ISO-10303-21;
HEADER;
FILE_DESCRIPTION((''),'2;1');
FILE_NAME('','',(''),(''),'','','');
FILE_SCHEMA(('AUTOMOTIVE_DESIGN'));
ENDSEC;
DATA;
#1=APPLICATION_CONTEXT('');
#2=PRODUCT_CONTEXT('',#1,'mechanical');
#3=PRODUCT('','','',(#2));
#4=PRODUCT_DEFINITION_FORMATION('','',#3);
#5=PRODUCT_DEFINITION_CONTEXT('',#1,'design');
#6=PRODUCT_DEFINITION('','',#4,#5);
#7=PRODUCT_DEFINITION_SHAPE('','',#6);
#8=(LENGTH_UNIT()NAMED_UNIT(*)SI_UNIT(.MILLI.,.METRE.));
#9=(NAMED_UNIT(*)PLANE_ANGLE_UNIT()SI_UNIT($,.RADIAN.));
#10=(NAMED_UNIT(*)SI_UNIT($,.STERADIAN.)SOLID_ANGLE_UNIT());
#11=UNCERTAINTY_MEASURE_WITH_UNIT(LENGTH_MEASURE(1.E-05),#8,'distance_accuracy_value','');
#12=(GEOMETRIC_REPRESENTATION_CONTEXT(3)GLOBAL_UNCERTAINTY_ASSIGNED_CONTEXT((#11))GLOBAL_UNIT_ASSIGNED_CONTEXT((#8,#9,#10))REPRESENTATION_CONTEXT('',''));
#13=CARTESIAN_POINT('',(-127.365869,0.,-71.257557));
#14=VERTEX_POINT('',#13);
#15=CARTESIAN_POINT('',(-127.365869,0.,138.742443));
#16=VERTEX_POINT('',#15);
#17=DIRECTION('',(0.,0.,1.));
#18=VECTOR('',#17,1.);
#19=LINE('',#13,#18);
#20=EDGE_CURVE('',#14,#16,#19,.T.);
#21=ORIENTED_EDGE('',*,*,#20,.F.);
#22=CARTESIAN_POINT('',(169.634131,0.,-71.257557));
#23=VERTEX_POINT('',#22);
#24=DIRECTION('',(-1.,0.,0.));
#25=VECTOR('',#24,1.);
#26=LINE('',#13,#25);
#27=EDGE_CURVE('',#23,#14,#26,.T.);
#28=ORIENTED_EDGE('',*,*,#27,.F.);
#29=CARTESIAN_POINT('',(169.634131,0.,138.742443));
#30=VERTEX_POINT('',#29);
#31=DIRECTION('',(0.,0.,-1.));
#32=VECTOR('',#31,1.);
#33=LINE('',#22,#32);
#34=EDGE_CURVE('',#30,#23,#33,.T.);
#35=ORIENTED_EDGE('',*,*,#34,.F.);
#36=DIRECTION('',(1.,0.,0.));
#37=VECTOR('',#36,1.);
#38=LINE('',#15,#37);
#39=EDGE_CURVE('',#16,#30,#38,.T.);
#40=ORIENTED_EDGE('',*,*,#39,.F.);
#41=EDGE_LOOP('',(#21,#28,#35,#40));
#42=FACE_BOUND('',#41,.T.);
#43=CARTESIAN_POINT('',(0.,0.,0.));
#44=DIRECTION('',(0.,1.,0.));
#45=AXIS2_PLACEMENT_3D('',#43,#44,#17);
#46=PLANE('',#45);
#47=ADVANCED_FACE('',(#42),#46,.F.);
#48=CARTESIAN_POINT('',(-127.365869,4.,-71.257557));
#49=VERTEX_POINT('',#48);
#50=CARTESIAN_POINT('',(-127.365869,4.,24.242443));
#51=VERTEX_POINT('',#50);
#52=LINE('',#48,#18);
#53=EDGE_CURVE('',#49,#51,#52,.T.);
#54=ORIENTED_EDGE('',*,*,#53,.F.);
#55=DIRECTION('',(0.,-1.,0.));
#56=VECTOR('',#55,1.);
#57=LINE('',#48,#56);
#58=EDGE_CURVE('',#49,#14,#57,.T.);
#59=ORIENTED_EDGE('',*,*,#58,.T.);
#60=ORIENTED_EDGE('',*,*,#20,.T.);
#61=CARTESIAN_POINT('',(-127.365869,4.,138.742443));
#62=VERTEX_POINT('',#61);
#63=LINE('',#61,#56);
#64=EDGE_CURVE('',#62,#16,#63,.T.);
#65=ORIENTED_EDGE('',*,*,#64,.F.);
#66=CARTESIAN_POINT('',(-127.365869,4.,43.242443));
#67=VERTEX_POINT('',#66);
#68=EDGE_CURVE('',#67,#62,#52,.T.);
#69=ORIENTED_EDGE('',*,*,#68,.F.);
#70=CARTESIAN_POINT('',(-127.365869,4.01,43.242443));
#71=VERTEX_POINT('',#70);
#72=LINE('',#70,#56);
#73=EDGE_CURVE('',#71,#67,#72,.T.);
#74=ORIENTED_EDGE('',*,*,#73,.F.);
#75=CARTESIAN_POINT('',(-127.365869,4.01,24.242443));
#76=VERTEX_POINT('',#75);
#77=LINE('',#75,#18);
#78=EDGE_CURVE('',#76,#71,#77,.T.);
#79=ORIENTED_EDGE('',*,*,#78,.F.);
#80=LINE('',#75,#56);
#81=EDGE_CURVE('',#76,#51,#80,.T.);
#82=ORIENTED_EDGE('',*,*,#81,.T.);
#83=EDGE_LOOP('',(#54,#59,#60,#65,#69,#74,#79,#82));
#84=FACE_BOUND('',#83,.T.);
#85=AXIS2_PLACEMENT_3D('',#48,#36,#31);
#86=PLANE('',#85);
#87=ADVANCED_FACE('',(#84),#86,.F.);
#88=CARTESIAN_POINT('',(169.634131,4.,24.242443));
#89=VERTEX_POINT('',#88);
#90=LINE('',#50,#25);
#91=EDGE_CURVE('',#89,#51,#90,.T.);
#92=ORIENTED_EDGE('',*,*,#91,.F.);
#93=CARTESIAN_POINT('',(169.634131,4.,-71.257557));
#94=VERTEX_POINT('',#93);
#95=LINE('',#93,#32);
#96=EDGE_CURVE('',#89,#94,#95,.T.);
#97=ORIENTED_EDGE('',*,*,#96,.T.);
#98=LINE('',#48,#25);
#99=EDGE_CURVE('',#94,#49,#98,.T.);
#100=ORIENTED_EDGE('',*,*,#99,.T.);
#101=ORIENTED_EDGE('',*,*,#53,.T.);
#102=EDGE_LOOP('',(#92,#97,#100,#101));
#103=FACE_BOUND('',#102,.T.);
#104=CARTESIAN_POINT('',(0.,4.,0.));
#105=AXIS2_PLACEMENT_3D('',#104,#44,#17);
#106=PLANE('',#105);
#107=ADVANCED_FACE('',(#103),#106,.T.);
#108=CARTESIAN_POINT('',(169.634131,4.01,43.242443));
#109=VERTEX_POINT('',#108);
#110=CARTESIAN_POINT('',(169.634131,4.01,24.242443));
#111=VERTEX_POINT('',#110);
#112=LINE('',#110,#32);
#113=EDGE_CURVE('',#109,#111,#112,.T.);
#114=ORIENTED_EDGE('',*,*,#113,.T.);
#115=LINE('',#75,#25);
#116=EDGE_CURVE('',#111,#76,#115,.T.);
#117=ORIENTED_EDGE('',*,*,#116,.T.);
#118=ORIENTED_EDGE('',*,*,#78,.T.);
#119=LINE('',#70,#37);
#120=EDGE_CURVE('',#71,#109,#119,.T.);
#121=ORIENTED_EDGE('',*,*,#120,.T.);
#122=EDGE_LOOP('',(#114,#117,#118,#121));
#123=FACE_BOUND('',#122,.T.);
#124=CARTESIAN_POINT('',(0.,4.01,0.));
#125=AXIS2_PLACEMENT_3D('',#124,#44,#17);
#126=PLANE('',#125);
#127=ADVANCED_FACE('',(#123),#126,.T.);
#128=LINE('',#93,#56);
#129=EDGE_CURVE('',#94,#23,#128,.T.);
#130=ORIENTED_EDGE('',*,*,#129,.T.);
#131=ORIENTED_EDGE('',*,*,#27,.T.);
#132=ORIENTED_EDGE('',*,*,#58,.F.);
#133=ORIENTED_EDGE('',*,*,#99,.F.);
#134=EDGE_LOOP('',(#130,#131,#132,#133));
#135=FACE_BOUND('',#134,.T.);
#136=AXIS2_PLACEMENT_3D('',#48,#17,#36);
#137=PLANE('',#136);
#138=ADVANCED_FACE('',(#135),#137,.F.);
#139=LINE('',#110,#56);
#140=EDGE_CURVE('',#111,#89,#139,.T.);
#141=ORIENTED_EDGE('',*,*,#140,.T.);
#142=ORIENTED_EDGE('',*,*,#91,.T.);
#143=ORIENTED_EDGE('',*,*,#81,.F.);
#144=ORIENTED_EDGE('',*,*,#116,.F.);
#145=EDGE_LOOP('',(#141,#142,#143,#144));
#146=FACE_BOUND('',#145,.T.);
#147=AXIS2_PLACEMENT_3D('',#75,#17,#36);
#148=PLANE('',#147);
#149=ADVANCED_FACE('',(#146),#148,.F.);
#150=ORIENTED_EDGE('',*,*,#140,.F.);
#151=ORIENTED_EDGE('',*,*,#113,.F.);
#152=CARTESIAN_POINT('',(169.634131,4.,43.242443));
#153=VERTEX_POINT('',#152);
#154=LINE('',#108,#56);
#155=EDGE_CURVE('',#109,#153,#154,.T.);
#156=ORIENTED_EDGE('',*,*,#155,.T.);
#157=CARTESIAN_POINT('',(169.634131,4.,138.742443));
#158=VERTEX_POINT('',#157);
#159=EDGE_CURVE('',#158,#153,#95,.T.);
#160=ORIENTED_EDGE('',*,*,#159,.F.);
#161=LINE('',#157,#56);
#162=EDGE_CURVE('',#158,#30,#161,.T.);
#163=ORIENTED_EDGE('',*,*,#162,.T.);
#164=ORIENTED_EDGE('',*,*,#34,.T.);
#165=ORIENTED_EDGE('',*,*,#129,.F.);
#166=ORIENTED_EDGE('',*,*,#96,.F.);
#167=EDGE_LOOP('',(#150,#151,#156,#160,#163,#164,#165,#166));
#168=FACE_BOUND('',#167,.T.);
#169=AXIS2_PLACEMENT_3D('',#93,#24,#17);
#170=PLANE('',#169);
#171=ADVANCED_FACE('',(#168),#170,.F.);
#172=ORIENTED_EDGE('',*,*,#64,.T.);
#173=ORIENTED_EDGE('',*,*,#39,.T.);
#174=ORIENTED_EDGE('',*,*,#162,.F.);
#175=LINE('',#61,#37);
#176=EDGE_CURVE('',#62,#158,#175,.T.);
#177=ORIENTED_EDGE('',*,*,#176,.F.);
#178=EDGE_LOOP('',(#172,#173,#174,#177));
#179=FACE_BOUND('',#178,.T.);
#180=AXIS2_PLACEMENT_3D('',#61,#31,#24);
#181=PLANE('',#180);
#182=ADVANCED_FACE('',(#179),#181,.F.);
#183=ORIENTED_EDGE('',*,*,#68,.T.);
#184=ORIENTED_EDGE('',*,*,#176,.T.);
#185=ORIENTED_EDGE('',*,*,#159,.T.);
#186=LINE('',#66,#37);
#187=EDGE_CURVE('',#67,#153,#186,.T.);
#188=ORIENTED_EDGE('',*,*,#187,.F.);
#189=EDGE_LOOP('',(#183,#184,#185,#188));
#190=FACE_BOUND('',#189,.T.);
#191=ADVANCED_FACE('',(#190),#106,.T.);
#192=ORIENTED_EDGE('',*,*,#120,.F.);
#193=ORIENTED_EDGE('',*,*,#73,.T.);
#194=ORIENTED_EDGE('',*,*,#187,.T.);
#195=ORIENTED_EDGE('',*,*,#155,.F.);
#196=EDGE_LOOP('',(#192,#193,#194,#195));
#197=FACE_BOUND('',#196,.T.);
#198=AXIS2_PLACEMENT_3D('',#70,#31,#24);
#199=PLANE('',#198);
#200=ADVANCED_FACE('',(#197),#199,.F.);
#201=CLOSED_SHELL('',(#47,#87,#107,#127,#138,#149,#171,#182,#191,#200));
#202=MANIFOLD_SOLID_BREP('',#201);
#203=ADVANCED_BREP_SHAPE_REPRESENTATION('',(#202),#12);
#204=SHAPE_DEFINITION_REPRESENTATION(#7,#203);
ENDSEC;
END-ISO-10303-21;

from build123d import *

# Parameters (mm, degrees)
SKETCH1_W           = 297
SKETCH1_H           = 210
BOSS_EXTRUDE1_DEPTH = 4
SKETCH2_W           = 297
SKETCH2_H           = 19
BOSS_EXTRUDE2_DEPTH = 0.01


with BuildPart() as part:
    # Sketch1 → Boss-Extrude1 (new body)
    with BuildSketch(Plane(origin=(0, 0, 0), x_dir=(1, 0, 0), z_dir=(0, 1, 0))):
        with Locations((21.134130982, -33.742443325)):
            Rectangle(SKETCH1_W, SKETCH1_H)
    extrude(amount=BOSS_EXTRUDE1_DEPTH)

    # Sketch2 → Boss-Extrude2 (add)
    with BuildSketch(Plane(origin=(0, 4, 0), x_dir=(1, 0, 0), z_dir=(0, 1, 0))):
        with Locations((21.134130982, -33.742443325)):
            Rectangle(SKETCH2_W, SKETCH2_H)
    extrude(amount=BOSS_EXTRUDE2_DEPTH)


solid = part.part
